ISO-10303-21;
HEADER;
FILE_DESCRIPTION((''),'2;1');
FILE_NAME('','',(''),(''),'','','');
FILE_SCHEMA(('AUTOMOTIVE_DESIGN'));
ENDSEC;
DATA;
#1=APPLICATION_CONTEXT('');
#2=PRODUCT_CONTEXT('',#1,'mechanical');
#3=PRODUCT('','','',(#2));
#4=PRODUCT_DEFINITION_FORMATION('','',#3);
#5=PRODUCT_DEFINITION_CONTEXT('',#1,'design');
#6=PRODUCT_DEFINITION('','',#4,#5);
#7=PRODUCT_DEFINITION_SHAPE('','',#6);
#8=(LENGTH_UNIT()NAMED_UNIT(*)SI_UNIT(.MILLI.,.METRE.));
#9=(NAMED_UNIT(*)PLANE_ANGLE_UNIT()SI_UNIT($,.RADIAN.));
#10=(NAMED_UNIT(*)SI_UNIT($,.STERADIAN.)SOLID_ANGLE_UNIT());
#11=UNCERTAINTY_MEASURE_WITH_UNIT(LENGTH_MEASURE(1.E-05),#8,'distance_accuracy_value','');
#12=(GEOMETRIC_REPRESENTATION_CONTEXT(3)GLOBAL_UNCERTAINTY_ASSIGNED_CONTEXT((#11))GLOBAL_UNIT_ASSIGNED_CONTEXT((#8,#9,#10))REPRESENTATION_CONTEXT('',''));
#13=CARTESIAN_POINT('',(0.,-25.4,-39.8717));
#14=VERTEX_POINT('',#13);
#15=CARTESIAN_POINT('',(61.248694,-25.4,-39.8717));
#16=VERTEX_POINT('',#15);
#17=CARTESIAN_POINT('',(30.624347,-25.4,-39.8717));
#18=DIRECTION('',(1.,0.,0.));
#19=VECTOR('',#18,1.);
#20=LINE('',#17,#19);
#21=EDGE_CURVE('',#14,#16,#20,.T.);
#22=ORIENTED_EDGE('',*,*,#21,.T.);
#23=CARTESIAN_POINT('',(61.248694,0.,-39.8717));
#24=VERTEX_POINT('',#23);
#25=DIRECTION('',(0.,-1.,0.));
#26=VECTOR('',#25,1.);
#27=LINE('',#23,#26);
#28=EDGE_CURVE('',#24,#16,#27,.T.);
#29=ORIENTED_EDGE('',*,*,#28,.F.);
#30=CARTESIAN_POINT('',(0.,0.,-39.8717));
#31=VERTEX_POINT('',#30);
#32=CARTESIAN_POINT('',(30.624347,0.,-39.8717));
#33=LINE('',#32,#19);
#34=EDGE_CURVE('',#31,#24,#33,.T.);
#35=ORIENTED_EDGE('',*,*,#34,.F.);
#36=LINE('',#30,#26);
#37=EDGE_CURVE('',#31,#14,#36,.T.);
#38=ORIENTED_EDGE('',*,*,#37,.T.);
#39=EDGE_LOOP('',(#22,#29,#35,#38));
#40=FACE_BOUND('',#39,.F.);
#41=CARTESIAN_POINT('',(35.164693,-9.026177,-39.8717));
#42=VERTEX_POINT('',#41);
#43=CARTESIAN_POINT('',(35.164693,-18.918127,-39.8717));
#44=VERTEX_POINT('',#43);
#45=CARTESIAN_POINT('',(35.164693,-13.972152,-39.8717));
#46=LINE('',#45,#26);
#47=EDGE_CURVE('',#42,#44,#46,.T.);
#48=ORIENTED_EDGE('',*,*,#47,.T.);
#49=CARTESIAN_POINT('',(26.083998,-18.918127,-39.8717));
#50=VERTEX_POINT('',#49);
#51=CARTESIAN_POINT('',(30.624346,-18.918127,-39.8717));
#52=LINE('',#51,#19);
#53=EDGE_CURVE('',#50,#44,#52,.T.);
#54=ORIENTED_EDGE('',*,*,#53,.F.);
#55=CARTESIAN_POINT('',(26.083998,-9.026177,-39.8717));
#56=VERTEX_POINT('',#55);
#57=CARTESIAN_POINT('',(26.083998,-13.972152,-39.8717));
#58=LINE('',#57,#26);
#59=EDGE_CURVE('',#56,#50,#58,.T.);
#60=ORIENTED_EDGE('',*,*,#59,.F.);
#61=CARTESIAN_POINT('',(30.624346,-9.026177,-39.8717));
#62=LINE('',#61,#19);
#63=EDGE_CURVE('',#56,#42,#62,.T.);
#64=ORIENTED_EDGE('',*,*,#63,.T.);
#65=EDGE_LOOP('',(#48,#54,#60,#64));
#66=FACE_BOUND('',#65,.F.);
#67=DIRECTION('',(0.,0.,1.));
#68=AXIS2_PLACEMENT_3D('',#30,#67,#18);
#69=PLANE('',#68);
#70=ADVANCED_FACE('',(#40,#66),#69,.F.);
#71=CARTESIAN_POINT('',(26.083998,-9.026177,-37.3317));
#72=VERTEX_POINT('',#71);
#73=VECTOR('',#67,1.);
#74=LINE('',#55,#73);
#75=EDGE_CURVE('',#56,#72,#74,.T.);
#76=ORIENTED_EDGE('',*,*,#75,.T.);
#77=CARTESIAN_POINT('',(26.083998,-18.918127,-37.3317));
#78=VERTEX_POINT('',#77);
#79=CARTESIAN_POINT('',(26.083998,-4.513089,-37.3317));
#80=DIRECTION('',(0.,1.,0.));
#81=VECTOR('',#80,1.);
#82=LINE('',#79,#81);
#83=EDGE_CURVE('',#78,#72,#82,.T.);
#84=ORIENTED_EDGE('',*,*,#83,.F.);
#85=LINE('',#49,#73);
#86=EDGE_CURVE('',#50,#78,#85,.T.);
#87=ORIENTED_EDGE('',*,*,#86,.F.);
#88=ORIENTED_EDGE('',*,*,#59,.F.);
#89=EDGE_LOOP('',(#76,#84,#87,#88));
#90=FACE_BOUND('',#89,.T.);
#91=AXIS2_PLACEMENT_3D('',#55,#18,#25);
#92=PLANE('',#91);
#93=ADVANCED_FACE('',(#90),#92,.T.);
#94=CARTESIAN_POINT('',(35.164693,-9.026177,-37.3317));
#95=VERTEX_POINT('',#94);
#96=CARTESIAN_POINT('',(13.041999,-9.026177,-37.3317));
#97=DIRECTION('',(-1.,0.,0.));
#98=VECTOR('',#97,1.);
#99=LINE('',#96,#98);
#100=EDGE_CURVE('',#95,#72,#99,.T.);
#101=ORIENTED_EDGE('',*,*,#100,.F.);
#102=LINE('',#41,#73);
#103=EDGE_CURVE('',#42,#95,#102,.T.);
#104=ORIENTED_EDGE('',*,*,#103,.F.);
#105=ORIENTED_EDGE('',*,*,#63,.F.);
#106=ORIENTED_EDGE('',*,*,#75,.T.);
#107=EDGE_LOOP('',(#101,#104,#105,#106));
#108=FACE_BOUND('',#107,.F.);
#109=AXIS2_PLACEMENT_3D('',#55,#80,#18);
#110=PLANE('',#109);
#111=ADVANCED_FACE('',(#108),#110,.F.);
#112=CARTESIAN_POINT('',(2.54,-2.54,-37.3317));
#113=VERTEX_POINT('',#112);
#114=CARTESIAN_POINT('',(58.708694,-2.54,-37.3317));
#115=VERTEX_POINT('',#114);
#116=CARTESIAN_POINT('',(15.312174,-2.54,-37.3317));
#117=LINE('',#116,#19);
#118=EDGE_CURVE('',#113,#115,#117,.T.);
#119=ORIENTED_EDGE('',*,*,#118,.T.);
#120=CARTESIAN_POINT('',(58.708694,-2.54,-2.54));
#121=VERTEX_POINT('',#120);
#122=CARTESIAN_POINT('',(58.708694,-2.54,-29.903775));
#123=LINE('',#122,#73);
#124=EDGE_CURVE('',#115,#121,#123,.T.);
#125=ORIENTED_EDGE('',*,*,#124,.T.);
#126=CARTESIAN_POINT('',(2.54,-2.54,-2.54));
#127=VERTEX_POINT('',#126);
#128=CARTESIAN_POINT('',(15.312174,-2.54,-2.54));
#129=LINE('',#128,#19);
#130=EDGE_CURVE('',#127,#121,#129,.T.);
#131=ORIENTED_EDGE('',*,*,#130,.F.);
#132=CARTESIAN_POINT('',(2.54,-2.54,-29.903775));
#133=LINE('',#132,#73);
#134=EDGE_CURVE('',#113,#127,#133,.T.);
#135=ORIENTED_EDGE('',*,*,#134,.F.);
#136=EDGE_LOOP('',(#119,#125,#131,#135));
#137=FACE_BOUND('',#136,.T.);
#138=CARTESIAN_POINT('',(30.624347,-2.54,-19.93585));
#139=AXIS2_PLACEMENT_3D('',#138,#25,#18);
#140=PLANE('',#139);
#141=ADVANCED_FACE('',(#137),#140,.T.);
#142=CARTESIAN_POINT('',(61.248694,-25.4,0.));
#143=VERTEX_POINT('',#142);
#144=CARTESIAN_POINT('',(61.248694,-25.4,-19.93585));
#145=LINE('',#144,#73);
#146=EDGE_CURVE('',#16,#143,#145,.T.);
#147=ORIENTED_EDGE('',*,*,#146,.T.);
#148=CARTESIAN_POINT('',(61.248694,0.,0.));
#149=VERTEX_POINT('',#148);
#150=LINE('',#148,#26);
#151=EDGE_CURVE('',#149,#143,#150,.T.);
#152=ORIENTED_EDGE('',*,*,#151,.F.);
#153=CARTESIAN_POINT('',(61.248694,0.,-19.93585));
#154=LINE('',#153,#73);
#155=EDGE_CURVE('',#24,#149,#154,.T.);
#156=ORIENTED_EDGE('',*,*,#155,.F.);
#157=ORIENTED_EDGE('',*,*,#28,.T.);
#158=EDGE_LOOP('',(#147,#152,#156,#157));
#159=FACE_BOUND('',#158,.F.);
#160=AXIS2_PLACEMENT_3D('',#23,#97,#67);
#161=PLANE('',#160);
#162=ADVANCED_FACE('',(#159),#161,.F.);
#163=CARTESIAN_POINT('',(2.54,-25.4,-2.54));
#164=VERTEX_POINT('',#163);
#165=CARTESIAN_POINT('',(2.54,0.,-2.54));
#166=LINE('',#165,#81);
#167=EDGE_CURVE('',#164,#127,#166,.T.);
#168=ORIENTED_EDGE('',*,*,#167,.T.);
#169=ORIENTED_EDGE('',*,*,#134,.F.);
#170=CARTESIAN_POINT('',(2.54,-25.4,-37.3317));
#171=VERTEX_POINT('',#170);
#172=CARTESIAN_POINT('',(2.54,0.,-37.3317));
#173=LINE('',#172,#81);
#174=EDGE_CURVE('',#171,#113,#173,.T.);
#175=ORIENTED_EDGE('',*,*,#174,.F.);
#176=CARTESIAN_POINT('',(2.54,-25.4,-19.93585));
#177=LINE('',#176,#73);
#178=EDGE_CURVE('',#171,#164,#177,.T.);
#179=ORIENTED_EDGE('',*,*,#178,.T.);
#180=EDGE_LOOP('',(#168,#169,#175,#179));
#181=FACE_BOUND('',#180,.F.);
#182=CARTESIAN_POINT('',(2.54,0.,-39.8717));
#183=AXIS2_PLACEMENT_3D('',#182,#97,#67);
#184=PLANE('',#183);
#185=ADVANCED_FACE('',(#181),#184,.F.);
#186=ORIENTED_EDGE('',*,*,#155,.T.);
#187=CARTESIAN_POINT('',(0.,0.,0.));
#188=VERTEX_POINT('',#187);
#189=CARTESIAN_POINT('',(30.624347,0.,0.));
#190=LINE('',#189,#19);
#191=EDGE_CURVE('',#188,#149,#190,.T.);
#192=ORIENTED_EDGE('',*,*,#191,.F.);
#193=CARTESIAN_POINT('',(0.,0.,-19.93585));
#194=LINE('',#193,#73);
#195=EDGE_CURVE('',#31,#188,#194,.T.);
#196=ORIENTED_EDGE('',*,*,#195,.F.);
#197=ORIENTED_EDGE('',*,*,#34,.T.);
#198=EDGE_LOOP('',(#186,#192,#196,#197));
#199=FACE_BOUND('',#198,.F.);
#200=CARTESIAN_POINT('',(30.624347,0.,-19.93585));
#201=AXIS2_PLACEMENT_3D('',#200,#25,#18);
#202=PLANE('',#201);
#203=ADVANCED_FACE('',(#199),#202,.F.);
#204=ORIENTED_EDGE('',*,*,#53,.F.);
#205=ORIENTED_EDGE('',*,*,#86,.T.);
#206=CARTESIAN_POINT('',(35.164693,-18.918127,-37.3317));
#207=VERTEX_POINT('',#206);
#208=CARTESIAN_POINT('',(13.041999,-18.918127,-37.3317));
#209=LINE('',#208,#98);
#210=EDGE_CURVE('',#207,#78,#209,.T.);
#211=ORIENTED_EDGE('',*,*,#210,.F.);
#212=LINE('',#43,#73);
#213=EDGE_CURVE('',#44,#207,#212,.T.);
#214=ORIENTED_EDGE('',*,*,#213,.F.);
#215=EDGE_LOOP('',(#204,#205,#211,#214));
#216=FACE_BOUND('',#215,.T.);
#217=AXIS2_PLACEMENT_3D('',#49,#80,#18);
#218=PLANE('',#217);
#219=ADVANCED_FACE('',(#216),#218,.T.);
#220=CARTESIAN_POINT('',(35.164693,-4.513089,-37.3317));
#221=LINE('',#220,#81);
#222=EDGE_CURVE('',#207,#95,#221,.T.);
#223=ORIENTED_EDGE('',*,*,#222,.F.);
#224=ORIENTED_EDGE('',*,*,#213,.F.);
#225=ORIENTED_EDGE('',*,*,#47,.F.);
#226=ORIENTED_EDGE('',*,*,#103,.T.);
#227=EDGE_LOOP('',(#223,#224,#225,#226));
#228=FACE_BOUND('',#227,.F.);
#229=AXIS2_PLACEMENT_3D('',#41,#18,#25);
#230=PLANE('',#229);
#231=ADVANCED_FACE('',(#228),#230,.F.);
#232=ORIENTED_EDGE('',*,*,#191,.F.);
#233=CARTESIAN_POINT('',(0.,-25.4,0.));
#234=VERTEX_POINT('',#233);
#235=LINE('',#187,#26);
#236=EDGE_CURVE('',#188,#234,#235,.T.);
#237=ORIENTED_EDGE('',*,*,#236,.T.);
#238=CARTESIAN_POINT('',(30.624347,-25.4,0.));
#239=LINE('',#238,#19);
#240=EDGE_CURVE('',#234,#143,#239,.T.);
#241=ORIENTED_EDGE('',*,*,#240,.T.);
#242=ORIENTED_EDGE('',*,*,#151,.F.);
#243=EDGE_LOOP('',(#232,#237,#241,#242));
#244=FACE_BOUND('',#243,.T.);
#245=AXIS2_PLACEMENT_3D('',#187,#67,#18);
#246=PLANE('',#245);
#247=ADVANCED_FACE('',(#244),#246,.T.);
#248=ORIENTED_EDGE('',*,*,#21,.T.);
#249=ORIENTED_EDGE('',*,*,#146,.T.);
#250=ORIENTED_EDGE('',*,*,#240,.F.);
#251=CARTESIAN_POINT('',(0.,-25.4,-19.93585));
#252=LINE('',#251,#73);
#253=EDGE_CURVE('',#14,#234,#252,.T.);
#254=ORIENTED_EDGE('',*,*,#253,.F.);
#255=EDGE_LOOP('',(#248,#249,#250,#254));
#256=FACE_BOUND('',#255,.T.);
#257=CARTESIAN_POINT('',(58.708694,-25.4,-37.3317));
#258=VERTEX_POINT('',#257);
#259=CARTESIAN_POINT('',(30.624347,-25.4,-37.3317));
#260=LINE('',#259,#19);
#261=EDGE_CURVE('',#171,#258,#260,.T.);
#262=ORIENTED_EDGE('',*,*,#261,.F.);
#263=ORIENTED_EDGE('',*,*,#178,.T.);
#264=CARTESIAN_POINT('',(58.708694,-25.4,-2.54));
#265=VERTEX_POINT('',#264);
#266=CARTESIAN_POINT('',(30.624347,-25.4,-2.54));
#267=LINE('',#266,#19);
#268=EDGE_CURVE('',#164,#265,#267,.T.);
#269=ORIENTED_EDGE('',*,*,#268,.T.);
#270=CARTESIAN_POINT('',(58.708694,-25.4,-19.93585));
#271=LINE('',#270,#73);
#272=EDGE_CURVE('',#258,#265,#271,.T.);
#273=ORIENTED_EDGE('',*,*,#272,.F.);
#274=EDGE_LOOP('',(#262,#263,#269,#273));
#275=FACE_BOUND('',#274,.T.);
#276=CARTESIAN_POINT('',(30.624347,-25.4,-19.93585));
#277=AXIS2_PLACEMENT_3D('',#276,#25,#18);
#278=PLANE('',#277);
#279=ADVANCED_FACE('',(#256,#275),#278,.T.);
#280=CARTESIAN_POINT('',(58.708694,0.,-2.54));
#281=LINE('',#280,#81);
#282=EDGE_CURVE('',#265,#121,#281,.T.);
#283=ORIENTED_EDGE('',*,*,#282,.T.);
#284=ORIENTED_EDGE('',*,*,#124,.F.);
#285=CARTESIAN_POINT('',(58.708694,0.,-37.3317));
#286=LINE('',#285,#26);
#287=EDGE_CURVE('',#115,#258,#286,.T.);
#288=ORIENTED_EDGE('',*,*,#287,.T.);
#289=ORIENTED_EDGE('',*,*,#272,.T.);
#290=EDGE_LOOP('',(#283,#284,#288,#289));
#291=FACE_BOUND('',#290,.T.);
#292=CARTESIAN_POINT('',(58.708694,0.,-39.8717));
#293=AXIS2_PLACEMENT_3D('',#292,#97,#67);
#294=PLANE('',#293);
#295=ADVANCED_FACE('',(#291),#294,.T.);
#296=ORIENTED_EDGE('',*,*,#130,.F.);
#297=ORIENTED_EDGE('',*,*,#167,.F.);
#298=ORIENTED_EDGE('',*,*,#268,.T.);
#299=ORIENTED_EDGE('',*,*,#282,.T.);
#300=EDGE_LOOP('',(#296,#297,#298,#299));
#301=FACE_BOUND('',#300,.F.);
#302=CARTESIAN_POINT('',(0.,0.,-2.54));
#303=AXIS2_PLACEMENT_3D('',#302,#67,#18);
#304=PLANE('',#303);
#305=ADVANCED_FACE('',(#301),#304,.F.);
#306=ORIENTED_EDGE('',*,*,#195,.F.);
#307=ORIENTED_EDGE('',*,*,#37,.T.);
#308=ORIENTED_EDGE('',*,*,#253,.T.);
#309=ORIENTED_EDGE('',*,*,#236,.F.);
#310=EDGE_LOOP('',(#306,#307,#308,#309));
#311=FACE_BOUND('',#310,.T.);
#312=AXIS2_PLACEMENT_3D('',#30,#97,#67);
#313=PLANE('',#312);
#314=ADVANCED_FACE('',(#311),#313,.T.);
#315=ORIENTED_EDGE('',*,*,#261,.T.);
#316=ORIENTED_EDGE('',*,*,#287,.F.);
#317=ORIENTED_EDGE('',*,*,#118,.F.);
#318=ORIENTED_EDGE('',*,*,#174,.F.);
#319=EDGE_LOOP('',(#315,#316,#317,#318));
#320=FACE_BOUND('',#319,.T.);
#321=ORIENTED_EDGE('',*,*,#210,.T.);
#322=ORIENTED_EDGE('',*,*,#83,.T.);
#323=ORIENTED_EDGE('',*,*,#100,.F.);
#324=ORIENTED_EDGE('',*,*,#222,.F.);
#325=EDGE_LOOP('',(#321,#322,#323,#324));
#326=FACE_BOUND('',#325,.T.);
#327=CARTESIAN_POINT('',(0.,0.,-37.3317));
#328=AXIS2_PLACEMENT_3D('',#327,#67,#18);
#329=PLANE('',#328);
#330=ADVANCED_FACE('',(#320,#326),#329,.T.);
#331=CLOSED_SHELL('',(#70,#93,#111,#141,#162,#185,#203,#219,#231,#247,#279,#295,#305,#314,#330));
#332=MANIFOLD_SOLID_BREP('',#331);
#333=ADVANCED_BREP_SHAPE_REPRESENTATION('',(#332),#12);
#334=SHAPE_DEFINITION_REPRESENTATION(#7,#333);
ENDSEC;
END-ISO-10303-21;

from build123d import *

# Parameters (mm, degrees)
F0_W     = 61.248694
F0_H     = 39.8717
F1_DEPTH = 25.4
F2_T     = -2.54
F3_W     = 9.080695
F3_H     = 9.89195
F4_DEPTH = 25.4


with BuildPart() as f1:
    # F0 (on Front) → F1 (new body)
    with BuildSketch(Plane.XZ):
        with Locations((30.624347, -19.93585)):
            Rectangle(F0_W, F0_H)
    extrude(amount=F1_DEPTH)

    # F2
    f2_openings = [f1.faces().sort_by_distance(p)[0] for p in [
        (30.624347, -25.4, -19.93585),
    ]]
    offset(amount=F2_T, openings=f2_openings)

    # F3 (on face) → F4 (cut)
    with BuildSketch(Plane(origin=(0, 0, -39.8717), x_dir=(1, 0, 0), z_dir=(0, 0, -1))):
        with Locations((30.624346, 13.972152)):
            Rectangle(F3_W, F3_H)
    extrude(amount=-F4_DEPTH, mode=Mode.SUBTRACT)


solid = f1.part
